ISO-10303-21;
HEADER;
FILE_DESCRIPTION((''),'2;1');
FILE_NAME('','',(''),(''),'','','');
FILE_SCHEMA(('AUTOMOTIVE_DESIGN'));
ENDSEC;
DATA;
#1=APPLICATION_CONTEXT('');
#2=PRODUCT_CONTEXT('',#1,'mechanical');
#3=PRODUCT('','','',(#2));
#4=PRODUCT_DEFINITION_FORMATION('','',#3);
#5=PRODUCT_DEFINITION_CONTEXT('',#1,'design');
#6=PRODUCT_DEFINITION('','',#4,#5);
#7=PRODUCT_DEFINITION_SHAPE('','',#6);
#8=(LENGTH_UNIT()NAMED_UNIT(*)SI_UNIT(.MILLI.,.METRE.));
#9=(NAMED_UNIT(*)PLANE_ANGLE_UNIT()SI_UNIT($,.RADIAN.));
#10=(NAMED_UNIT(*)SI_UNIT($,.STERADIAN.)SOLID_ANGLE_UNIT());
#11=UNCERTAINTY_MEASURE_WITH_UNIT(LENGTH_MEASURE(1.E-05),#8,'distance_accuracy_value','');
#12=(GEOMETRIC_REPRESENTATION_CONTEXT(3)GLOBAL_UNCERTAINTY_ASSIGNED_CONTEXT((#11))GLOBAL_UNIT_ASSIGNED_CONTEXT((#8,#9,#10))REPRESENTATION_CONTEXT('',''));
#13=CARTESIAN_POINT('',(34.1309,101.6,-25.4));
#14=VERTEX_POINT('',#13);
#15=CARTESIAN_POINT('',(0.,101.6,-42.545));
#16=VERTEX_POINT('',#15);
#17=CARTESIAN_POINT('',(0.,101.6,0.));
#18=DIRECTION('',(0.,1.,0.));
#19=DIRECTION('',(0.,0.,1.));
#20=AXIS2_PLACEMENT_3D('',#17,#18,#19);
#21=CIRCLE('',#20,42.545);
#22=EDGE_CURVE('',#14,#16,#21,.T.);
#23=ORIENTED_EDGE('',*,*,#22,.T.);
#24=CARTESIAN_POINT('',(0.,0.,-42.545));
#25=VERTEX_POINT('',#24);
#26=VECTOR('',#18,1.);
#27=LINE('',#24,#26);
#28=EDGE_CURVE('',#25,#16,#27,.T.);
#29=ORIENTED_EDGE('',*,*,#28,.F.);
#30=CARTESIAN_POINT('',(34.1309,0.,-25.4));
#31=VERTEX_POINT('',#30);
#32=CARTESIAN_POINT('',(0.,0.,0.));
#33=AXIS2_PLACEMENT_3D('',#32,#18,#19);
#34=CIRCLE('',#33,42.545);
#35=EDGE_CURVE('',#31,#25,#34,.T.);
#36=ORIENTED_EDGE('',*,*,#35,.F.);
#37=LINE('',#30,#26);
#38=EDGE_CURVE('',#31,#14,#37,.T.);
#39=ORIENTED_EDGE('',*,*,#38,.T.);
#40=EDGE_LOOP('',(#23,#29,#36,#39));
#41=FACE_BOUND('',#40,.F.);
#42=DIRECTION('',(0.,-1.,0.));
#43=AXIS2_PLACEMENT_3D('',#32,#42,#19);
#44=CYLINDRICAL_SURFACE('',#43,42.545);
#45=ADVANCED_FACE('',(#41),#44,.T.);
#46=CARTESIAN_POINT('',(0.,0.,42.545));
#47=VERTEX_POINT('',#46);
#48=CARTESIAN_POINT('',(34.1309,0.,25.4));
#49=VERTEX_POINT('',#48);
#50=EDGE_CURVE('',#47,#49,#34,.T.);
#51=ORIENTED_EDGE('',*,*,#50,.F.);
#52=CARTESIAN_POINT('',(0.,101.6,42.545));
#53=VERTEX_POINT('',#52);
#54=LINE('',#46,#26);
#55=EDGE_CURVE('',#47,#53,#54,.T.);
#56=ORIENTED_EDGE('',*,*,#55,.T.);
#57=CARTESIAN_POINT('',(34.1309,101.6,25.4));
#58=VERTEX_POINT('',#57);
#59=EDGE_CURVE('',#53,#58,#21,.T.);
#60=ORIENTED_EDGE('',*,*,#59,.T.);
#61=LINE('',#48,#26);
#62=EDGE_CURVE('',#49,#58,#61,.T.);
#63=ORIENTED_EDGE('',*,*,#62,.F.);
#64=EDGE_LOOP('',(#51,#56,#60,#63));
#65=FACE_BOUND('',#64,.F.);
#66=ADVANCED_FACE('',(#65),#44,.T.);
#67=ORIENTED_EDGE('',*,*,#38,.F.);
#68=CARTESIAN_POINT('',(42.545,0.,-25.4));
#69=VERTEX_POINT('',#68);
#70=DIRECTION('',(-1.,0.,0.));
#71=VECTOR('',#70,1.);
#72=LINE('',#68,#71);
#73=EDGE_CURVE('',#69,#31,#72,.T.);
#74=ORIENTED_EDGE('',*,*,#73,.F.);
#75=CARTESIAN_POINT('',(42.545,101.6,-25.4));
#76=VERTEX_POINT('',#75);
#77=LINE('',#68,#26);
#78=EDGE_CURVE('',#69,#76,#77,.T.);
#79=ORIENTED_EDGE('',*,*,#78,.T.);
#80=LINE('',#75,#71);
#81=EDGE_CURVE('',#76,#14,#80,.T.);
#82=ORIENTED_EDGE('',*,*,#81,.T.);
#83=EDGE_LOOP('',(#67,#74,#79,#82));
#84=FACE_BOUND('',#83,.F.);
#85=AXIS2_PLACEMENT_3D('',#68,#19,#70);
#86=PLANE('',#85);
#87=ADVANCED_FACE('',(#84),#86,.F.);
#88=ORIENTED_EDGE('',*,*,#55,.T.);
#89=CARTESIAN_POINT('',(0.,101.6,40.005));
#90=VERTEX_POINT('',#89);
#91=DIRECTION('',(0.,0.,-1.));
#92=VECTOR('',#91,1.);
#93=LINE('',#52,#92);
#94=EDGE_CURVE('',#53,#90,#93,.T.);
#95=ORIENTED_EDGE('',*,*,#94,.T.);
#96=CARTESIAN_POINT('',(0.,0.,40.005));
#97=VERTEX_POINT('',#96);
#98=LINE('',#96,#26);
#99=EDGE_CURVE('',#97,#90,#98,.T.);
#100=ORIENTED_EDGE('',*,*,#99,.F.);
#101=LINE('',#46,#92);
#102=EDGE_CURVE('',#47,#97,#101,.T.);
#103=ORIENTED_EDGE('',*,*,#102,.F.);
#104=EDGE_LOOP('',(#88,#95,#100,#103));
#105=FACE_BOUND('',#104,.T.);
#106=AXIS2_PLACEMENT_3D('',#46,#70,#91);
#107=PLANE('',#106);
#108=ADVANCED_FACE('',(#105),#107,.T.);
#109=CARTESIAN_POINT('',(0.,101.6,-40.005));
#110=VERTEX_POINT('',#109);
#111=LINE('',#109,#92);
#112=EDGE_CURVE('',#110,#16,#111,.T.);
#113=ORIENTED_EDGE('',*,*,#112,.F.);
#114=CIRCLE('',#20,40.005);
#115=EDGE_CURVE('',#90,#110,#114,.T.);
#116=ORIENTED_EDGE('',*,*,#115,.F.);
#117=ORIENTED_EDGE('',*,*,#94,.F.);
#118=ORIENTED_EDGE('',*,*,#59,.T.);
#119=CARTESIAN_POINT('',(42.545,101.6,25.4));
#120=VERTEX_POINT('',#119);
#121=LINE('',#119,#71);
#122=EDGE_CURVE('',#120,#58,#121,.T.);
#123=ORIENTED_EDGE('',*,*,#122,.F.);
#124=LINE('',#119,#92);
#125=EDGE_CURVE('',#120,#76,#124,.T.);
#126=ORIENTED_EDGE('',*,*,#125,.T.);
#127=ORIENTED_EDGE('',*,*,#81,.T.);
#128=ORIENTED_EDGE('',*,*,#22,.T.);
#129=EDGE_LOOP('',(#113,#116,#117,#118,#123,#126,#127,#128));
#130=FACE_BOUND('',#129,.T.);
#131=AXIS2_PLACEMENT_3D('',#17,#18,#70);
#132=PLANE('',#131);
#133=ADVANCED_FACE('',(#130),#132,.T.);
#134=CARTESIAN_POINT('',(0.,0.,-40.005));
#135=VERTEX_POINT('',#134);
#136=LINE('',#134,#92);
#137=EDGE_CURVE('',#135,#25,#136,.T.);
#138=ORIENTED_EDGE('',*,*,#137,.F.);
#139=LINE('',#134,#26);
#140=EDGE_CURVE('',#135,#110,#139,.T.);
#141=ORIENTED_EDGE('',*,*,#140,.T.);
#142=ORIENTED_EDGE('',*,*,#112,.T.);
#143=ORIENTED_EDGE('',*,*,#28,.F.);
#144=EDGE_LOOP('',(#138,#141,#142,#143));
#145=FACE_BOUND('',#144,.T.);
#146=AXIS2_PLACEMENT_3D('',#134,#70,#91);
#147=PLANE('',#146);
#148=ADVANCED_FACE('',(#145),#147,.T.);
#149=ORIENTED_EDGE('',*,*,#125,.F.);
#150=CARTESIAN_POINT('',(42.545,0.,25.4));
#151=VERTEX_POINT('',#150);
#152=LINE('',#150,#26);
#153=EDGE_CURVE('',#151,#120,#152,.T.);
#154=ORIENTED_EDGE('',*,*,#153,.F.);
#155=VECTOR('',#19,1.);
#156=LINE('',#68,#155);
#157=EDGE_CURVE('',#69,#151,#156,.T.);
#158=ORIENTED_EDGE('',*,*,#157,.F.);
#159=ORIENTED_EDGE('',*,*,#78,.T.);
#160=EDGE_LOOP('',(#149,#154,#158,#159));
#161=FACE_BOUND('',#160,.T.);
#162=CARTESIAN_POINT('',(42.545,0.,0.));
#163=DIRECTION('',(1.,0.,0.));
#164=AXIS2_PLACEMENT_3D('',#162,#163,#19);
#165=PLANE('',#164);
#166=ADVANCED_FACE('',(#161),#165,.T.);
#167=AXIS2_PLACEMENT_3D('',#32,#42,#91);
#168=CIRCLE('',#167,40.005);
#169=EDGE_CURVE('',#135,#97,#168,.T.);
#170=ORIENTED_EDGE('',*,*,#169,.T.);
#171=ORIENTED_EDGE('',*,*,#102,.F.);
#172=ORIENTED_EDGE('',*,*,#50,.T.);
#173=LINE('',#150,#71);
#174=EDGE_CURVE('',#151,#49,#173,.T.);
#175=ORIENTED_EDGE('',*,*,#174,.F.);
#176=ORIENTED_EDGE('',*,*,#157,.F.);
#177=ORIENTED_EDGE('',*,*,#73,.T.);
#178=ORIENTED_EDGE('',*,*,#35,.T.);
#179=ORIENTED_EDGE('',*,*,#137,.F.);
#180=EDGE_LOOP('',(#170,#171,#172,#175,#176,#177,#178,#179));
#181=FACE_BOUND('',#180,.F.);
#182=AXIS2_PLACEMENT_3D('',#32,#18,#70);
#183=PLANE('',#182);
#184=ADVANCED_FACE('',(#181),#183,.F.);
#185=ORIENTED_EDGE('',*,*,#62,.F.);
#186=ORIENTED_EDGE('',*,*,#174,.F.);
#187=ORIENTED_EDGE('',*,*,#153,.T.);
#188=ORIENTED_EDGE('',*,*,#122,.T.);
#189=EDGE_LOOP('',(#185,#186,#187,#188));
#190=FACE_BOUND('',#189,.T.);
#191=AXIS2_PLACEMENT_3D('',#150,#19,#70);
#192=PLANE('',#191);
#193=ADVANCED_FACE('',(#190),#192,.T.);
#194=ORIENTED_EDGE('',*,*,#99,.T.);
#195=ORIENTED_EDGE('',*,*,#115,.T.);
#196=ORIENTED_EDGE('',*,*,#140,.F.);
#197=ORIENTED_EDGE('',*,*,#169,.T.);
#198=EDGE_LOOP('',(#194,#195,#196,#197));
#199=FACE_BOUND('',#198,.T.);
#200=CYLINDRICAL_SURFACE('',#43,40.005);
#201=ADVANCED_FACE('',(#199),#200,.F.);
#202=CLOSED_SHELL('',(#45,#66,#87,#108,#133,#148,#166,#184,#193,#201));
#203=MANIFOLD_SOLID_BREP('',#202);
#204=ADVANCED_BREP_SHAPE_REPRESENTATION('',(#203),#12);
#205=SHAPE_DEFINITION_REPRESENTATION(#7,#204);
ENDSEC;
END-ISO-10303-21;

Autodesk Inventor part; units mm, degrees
ref_plane "YZ Plane" through (0, 0, 0) normal (1, 0, 0) x (0, 1, 0)
ref_plane "XZ Plane" through (0, 0, 0) normal (0, 1, 0) x (-1, 0, 0)
ref_plane "XY Plane" through (0, 0, 0) normal (0, 0, 1) x (1, 0, 0)
sketch "Sketch1" plane through (0, 0, 0) normal (0, 1, 0) x (-1, 0, 0)
  arc A0 (0, 42.545) -> (0, -42.545) centre (0, 0) ccw
  arc A1 (0, 40.005) -> (0, -40.005) centre (0, 0) ccw
  line L0 (0, 42.545) -> (0, 40.005)
  line L1 (0, -40.005) -> (0, -42.545)
  line L2 (-40.005, 0) -> (-42.545, 0)
  line L3 (-42.545, 0) -> (-42.545, -25.4)
  line L4 (-42.545, -25.4) -> (-34.1309, -25.4)
  line L5 (-40.005, 0) -> (-42.545, 0)
  line L6 (-42.545, 0) -> (-42.545, 25.4)
  line L7 (-42.545, 25.4) -> (-34.1309, 25.4)
  dimension "d0" = 85.09
  dimension "d1" = 80.01
  dimension "d2" = 25.4
  dimension "d3" = 25.4
extrude "Extrusion1" add sketch "Sketch1" along normal blind 101.6
properties part number "BlockSlideTestTube"
